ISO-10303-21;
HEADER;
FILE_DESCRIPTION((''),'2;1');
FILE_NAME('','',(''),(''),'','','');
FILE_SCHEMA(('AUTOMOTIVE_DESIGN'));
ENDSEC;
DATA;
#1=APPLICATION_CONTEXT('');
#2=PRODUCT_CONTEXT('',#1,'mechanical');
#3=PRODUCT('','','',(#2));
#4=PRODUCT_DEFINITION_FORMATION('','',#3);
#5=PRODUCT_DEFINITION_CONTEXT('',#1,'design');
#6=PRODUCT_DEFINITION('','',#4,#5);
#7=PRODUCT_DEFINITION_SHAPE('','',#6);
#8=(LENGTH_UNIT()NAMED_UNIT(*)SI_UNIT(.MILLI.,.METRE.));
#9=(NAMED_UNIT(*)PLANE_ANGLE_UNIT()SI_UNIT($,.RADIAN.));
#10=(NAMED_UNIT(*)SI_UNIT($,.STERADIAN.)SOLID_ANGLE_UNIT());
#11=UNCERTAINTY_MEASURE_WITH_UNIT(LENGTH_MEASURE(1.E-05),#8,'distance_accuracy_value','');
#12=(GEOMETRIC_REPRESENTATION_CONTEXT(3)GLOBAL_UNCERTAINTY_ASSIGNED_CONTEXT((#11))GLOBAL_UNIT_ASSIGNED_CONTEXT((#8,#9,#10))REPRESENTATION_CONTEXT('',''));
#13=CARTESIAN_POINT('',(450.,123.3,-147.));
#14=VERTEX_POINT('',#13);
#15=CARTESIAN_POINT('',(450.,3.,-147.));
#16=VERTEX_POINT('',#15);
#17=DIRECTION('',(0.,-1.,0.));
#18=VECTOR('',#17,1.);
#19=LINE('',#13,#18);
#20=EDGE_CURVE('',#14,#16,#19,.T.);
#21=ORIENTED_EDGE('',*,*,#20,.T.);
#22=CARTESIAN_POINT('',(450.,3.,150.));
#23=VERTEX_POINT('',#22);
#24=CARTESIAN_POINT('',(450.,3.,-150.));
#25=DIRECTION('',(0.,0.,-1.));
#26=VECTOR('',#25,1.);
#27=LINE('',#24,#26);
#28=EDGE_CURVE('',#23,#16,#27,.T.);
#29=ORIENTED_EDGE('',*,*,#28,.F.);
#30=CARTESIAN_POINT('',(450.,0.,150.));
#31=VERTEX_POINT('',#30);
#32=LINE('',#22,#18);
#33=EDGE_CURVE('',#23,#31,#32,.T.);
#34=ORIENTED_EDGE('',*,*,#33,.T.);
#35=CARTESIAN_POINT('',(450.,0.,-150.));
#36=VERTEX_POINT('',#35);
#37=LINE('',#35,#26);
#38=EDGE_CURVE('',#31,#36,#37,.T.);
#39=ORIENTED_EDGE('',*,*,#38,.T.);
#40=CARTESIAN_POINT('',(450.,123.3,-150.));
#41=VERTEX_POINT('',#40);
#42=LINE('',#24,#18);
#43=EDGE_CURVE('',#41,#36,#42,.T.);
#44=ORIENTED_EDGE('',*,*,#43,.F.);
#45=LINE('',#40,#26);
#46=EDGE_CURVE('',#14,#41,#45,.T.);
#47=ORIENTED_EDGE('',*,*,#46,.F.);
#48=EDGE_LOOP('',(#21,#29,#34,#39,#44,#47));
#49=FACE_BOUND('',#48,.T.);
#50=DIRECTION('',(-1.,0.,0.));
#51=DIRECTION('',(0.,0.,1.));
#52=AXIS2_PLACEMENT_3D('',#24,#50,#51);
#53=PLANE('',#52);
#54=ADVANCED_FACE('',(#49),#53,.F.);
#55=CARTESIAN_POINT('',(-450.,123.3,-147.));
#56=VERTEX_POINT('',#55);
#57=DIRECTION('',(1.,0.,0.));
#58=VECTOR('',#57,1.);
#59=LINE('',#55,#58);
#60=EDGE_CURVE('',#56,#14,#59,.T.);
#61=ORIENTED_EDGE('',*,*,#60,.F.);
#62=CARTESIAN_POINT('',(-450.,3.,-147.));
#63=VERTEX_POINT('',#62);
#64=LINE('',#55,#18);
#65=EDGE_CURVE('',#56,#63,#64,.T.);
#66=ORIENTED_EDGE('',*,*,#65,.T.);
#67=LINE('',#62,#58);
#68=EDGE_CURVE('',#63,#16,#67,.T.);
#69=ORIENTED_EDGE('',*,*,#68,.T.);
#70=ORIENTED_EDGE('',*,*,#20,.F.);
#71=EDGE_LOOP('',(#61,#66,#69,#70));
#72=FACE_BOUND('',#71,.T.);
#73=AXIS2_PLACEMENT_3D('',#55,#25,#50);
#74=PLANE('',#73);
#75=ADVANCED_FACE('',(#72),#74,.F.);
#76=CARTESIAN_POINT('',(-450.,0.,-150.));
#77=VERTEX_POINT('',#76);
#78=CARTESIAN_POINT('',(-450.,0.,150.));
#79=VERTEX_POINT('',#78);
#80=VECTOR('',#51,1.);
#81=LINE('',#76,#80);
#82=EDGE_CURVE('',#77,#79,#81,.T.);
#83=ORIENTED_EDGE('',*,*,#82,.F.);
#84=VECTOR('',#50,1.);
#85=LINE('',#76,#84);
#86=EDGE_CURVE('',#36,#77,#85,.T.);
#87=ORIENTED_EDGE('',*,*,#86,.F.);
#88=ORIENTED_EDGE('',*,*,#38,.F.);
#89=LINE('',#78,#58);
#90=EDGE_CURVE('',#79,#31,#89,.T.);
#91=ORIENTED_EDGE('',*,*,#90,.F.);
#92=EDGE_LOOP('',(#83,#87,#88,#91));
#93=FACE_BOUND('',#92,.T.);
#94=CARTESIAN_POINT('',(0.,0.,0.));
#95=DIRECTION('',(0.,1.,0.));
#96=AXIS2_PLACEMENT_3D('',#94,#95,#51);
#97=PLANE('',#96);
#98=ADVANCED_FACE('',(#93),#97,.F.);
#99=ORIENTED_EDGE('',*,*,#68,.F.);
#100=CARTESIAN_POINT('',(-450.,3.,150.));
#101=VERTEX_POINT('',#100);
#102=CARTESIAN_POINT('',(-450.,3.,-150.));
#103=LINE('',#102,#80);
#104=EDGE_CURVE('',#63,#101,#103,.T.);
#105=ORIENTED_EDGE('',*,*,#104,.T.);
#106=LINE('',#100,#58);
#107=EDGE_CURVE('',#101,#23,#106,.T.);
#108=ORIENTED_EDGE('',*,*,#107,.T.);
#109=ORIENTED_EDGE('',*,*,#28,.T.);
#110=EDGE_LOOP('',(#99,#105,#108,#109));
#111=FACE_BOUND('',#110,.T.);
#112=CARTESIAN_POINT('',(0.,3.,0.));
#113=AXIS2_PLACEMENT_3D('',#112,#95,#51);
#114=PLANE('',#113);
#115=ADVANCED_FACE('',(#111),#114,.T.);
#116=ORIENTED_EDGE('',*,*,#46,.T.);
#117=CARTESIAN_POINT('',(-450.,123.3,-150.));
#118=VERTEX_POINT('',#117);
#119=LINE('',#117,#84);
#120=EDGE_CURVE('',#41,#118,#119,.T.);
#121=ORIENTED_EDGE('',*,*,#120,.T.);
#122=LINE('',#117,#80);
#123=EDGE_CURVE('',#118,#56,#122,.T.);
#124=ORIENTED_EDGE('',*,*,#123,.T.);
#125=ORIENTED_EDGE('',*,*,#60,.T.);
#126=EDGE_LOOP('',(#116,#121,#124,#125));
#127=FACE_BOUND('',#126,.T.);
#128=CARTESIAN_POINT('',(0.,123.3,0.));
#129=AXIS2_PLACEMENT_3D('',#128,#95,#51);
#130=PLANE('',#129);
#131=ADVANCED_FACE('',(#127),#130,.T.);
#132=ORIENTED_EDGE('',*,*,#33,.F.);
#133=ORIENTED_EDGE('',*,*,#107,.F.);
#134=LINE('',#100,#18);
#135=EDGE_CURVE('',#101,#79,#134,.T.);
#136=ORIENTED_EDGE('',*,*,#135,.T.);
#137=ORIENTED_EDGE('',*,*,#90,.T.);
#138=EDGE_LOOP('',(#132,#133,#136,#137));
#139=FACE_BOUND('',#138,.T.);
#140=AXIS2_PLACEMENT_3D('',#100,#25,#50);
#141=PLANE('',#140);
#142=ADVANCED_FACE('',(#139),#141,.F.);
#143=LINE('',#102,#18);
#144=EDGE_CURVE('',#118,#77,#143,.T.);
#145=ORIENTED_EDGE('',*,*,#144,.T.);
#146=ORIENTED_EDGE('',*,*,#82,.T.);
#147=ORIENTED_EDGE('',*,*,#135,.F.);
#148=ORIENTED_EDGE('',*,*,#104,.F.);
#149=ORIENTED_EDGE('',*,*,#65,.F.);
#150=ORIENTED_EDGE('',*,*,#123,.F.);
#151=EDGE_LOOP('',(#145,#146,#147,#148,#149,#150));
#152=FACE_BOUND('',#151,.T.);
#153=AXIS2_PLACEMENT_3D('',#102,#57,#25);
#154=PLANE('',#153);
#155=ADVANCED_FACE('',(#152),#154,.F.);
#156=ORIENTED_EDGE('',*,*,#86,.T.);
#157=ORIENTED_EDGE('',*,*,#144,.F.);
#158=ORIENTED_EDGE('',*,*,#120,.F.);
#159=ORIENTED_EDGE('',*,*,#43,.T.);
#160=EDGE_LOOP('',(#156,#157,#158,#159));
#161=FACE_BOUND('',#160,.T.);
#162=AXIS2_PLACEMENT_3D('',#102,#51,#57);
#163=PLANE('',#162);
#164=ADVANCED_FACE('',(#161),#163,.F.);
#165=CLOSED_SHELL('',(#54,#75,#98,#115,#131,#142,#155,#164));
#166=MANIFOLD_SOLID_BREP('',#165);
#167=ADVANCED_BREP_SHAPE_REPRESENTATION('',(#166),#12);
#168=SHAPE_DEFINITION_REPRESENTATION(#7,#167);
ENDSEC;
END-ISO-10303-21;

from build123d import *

# Parameters (mm, degrees)
SKETCH2_W           = 900
SKETCH2_H           = 300
BOSS_EXTRUDE1_DEPTH = 3
SKETCH3_W           = 900
SKETCH3_H           = 3
BOSS_EXTRUDE2_DEPTH = 120.3


with BuildPart() as part:
    # Sketch2 → Boss-Extrude1 (new body)
    with BuildSketch(Plane(origin=(0, 0, 0), x_dir=(1, 0, 0), z_dir=(0, 1, 0))):
        Rectangle(SKETCH2_W, SKETCH2_H)
    extrude(amount=BOSS_EXTRUDE1_DEPTH)

    # Sketch3 → Boss-Extrude2 (add)
    with BuildSketch(Plane(origin=(0, 3, 0), x_dir=(1, 0, 0), z_dir=(0, 1, 0))):
        with Locations((0, 148.5)):
            Rectangle(SKETCH3_W, SKETCH3_H)
    extrude(amount=BOSS_EXTRUDE2_DEPTH)


solid = part.part
